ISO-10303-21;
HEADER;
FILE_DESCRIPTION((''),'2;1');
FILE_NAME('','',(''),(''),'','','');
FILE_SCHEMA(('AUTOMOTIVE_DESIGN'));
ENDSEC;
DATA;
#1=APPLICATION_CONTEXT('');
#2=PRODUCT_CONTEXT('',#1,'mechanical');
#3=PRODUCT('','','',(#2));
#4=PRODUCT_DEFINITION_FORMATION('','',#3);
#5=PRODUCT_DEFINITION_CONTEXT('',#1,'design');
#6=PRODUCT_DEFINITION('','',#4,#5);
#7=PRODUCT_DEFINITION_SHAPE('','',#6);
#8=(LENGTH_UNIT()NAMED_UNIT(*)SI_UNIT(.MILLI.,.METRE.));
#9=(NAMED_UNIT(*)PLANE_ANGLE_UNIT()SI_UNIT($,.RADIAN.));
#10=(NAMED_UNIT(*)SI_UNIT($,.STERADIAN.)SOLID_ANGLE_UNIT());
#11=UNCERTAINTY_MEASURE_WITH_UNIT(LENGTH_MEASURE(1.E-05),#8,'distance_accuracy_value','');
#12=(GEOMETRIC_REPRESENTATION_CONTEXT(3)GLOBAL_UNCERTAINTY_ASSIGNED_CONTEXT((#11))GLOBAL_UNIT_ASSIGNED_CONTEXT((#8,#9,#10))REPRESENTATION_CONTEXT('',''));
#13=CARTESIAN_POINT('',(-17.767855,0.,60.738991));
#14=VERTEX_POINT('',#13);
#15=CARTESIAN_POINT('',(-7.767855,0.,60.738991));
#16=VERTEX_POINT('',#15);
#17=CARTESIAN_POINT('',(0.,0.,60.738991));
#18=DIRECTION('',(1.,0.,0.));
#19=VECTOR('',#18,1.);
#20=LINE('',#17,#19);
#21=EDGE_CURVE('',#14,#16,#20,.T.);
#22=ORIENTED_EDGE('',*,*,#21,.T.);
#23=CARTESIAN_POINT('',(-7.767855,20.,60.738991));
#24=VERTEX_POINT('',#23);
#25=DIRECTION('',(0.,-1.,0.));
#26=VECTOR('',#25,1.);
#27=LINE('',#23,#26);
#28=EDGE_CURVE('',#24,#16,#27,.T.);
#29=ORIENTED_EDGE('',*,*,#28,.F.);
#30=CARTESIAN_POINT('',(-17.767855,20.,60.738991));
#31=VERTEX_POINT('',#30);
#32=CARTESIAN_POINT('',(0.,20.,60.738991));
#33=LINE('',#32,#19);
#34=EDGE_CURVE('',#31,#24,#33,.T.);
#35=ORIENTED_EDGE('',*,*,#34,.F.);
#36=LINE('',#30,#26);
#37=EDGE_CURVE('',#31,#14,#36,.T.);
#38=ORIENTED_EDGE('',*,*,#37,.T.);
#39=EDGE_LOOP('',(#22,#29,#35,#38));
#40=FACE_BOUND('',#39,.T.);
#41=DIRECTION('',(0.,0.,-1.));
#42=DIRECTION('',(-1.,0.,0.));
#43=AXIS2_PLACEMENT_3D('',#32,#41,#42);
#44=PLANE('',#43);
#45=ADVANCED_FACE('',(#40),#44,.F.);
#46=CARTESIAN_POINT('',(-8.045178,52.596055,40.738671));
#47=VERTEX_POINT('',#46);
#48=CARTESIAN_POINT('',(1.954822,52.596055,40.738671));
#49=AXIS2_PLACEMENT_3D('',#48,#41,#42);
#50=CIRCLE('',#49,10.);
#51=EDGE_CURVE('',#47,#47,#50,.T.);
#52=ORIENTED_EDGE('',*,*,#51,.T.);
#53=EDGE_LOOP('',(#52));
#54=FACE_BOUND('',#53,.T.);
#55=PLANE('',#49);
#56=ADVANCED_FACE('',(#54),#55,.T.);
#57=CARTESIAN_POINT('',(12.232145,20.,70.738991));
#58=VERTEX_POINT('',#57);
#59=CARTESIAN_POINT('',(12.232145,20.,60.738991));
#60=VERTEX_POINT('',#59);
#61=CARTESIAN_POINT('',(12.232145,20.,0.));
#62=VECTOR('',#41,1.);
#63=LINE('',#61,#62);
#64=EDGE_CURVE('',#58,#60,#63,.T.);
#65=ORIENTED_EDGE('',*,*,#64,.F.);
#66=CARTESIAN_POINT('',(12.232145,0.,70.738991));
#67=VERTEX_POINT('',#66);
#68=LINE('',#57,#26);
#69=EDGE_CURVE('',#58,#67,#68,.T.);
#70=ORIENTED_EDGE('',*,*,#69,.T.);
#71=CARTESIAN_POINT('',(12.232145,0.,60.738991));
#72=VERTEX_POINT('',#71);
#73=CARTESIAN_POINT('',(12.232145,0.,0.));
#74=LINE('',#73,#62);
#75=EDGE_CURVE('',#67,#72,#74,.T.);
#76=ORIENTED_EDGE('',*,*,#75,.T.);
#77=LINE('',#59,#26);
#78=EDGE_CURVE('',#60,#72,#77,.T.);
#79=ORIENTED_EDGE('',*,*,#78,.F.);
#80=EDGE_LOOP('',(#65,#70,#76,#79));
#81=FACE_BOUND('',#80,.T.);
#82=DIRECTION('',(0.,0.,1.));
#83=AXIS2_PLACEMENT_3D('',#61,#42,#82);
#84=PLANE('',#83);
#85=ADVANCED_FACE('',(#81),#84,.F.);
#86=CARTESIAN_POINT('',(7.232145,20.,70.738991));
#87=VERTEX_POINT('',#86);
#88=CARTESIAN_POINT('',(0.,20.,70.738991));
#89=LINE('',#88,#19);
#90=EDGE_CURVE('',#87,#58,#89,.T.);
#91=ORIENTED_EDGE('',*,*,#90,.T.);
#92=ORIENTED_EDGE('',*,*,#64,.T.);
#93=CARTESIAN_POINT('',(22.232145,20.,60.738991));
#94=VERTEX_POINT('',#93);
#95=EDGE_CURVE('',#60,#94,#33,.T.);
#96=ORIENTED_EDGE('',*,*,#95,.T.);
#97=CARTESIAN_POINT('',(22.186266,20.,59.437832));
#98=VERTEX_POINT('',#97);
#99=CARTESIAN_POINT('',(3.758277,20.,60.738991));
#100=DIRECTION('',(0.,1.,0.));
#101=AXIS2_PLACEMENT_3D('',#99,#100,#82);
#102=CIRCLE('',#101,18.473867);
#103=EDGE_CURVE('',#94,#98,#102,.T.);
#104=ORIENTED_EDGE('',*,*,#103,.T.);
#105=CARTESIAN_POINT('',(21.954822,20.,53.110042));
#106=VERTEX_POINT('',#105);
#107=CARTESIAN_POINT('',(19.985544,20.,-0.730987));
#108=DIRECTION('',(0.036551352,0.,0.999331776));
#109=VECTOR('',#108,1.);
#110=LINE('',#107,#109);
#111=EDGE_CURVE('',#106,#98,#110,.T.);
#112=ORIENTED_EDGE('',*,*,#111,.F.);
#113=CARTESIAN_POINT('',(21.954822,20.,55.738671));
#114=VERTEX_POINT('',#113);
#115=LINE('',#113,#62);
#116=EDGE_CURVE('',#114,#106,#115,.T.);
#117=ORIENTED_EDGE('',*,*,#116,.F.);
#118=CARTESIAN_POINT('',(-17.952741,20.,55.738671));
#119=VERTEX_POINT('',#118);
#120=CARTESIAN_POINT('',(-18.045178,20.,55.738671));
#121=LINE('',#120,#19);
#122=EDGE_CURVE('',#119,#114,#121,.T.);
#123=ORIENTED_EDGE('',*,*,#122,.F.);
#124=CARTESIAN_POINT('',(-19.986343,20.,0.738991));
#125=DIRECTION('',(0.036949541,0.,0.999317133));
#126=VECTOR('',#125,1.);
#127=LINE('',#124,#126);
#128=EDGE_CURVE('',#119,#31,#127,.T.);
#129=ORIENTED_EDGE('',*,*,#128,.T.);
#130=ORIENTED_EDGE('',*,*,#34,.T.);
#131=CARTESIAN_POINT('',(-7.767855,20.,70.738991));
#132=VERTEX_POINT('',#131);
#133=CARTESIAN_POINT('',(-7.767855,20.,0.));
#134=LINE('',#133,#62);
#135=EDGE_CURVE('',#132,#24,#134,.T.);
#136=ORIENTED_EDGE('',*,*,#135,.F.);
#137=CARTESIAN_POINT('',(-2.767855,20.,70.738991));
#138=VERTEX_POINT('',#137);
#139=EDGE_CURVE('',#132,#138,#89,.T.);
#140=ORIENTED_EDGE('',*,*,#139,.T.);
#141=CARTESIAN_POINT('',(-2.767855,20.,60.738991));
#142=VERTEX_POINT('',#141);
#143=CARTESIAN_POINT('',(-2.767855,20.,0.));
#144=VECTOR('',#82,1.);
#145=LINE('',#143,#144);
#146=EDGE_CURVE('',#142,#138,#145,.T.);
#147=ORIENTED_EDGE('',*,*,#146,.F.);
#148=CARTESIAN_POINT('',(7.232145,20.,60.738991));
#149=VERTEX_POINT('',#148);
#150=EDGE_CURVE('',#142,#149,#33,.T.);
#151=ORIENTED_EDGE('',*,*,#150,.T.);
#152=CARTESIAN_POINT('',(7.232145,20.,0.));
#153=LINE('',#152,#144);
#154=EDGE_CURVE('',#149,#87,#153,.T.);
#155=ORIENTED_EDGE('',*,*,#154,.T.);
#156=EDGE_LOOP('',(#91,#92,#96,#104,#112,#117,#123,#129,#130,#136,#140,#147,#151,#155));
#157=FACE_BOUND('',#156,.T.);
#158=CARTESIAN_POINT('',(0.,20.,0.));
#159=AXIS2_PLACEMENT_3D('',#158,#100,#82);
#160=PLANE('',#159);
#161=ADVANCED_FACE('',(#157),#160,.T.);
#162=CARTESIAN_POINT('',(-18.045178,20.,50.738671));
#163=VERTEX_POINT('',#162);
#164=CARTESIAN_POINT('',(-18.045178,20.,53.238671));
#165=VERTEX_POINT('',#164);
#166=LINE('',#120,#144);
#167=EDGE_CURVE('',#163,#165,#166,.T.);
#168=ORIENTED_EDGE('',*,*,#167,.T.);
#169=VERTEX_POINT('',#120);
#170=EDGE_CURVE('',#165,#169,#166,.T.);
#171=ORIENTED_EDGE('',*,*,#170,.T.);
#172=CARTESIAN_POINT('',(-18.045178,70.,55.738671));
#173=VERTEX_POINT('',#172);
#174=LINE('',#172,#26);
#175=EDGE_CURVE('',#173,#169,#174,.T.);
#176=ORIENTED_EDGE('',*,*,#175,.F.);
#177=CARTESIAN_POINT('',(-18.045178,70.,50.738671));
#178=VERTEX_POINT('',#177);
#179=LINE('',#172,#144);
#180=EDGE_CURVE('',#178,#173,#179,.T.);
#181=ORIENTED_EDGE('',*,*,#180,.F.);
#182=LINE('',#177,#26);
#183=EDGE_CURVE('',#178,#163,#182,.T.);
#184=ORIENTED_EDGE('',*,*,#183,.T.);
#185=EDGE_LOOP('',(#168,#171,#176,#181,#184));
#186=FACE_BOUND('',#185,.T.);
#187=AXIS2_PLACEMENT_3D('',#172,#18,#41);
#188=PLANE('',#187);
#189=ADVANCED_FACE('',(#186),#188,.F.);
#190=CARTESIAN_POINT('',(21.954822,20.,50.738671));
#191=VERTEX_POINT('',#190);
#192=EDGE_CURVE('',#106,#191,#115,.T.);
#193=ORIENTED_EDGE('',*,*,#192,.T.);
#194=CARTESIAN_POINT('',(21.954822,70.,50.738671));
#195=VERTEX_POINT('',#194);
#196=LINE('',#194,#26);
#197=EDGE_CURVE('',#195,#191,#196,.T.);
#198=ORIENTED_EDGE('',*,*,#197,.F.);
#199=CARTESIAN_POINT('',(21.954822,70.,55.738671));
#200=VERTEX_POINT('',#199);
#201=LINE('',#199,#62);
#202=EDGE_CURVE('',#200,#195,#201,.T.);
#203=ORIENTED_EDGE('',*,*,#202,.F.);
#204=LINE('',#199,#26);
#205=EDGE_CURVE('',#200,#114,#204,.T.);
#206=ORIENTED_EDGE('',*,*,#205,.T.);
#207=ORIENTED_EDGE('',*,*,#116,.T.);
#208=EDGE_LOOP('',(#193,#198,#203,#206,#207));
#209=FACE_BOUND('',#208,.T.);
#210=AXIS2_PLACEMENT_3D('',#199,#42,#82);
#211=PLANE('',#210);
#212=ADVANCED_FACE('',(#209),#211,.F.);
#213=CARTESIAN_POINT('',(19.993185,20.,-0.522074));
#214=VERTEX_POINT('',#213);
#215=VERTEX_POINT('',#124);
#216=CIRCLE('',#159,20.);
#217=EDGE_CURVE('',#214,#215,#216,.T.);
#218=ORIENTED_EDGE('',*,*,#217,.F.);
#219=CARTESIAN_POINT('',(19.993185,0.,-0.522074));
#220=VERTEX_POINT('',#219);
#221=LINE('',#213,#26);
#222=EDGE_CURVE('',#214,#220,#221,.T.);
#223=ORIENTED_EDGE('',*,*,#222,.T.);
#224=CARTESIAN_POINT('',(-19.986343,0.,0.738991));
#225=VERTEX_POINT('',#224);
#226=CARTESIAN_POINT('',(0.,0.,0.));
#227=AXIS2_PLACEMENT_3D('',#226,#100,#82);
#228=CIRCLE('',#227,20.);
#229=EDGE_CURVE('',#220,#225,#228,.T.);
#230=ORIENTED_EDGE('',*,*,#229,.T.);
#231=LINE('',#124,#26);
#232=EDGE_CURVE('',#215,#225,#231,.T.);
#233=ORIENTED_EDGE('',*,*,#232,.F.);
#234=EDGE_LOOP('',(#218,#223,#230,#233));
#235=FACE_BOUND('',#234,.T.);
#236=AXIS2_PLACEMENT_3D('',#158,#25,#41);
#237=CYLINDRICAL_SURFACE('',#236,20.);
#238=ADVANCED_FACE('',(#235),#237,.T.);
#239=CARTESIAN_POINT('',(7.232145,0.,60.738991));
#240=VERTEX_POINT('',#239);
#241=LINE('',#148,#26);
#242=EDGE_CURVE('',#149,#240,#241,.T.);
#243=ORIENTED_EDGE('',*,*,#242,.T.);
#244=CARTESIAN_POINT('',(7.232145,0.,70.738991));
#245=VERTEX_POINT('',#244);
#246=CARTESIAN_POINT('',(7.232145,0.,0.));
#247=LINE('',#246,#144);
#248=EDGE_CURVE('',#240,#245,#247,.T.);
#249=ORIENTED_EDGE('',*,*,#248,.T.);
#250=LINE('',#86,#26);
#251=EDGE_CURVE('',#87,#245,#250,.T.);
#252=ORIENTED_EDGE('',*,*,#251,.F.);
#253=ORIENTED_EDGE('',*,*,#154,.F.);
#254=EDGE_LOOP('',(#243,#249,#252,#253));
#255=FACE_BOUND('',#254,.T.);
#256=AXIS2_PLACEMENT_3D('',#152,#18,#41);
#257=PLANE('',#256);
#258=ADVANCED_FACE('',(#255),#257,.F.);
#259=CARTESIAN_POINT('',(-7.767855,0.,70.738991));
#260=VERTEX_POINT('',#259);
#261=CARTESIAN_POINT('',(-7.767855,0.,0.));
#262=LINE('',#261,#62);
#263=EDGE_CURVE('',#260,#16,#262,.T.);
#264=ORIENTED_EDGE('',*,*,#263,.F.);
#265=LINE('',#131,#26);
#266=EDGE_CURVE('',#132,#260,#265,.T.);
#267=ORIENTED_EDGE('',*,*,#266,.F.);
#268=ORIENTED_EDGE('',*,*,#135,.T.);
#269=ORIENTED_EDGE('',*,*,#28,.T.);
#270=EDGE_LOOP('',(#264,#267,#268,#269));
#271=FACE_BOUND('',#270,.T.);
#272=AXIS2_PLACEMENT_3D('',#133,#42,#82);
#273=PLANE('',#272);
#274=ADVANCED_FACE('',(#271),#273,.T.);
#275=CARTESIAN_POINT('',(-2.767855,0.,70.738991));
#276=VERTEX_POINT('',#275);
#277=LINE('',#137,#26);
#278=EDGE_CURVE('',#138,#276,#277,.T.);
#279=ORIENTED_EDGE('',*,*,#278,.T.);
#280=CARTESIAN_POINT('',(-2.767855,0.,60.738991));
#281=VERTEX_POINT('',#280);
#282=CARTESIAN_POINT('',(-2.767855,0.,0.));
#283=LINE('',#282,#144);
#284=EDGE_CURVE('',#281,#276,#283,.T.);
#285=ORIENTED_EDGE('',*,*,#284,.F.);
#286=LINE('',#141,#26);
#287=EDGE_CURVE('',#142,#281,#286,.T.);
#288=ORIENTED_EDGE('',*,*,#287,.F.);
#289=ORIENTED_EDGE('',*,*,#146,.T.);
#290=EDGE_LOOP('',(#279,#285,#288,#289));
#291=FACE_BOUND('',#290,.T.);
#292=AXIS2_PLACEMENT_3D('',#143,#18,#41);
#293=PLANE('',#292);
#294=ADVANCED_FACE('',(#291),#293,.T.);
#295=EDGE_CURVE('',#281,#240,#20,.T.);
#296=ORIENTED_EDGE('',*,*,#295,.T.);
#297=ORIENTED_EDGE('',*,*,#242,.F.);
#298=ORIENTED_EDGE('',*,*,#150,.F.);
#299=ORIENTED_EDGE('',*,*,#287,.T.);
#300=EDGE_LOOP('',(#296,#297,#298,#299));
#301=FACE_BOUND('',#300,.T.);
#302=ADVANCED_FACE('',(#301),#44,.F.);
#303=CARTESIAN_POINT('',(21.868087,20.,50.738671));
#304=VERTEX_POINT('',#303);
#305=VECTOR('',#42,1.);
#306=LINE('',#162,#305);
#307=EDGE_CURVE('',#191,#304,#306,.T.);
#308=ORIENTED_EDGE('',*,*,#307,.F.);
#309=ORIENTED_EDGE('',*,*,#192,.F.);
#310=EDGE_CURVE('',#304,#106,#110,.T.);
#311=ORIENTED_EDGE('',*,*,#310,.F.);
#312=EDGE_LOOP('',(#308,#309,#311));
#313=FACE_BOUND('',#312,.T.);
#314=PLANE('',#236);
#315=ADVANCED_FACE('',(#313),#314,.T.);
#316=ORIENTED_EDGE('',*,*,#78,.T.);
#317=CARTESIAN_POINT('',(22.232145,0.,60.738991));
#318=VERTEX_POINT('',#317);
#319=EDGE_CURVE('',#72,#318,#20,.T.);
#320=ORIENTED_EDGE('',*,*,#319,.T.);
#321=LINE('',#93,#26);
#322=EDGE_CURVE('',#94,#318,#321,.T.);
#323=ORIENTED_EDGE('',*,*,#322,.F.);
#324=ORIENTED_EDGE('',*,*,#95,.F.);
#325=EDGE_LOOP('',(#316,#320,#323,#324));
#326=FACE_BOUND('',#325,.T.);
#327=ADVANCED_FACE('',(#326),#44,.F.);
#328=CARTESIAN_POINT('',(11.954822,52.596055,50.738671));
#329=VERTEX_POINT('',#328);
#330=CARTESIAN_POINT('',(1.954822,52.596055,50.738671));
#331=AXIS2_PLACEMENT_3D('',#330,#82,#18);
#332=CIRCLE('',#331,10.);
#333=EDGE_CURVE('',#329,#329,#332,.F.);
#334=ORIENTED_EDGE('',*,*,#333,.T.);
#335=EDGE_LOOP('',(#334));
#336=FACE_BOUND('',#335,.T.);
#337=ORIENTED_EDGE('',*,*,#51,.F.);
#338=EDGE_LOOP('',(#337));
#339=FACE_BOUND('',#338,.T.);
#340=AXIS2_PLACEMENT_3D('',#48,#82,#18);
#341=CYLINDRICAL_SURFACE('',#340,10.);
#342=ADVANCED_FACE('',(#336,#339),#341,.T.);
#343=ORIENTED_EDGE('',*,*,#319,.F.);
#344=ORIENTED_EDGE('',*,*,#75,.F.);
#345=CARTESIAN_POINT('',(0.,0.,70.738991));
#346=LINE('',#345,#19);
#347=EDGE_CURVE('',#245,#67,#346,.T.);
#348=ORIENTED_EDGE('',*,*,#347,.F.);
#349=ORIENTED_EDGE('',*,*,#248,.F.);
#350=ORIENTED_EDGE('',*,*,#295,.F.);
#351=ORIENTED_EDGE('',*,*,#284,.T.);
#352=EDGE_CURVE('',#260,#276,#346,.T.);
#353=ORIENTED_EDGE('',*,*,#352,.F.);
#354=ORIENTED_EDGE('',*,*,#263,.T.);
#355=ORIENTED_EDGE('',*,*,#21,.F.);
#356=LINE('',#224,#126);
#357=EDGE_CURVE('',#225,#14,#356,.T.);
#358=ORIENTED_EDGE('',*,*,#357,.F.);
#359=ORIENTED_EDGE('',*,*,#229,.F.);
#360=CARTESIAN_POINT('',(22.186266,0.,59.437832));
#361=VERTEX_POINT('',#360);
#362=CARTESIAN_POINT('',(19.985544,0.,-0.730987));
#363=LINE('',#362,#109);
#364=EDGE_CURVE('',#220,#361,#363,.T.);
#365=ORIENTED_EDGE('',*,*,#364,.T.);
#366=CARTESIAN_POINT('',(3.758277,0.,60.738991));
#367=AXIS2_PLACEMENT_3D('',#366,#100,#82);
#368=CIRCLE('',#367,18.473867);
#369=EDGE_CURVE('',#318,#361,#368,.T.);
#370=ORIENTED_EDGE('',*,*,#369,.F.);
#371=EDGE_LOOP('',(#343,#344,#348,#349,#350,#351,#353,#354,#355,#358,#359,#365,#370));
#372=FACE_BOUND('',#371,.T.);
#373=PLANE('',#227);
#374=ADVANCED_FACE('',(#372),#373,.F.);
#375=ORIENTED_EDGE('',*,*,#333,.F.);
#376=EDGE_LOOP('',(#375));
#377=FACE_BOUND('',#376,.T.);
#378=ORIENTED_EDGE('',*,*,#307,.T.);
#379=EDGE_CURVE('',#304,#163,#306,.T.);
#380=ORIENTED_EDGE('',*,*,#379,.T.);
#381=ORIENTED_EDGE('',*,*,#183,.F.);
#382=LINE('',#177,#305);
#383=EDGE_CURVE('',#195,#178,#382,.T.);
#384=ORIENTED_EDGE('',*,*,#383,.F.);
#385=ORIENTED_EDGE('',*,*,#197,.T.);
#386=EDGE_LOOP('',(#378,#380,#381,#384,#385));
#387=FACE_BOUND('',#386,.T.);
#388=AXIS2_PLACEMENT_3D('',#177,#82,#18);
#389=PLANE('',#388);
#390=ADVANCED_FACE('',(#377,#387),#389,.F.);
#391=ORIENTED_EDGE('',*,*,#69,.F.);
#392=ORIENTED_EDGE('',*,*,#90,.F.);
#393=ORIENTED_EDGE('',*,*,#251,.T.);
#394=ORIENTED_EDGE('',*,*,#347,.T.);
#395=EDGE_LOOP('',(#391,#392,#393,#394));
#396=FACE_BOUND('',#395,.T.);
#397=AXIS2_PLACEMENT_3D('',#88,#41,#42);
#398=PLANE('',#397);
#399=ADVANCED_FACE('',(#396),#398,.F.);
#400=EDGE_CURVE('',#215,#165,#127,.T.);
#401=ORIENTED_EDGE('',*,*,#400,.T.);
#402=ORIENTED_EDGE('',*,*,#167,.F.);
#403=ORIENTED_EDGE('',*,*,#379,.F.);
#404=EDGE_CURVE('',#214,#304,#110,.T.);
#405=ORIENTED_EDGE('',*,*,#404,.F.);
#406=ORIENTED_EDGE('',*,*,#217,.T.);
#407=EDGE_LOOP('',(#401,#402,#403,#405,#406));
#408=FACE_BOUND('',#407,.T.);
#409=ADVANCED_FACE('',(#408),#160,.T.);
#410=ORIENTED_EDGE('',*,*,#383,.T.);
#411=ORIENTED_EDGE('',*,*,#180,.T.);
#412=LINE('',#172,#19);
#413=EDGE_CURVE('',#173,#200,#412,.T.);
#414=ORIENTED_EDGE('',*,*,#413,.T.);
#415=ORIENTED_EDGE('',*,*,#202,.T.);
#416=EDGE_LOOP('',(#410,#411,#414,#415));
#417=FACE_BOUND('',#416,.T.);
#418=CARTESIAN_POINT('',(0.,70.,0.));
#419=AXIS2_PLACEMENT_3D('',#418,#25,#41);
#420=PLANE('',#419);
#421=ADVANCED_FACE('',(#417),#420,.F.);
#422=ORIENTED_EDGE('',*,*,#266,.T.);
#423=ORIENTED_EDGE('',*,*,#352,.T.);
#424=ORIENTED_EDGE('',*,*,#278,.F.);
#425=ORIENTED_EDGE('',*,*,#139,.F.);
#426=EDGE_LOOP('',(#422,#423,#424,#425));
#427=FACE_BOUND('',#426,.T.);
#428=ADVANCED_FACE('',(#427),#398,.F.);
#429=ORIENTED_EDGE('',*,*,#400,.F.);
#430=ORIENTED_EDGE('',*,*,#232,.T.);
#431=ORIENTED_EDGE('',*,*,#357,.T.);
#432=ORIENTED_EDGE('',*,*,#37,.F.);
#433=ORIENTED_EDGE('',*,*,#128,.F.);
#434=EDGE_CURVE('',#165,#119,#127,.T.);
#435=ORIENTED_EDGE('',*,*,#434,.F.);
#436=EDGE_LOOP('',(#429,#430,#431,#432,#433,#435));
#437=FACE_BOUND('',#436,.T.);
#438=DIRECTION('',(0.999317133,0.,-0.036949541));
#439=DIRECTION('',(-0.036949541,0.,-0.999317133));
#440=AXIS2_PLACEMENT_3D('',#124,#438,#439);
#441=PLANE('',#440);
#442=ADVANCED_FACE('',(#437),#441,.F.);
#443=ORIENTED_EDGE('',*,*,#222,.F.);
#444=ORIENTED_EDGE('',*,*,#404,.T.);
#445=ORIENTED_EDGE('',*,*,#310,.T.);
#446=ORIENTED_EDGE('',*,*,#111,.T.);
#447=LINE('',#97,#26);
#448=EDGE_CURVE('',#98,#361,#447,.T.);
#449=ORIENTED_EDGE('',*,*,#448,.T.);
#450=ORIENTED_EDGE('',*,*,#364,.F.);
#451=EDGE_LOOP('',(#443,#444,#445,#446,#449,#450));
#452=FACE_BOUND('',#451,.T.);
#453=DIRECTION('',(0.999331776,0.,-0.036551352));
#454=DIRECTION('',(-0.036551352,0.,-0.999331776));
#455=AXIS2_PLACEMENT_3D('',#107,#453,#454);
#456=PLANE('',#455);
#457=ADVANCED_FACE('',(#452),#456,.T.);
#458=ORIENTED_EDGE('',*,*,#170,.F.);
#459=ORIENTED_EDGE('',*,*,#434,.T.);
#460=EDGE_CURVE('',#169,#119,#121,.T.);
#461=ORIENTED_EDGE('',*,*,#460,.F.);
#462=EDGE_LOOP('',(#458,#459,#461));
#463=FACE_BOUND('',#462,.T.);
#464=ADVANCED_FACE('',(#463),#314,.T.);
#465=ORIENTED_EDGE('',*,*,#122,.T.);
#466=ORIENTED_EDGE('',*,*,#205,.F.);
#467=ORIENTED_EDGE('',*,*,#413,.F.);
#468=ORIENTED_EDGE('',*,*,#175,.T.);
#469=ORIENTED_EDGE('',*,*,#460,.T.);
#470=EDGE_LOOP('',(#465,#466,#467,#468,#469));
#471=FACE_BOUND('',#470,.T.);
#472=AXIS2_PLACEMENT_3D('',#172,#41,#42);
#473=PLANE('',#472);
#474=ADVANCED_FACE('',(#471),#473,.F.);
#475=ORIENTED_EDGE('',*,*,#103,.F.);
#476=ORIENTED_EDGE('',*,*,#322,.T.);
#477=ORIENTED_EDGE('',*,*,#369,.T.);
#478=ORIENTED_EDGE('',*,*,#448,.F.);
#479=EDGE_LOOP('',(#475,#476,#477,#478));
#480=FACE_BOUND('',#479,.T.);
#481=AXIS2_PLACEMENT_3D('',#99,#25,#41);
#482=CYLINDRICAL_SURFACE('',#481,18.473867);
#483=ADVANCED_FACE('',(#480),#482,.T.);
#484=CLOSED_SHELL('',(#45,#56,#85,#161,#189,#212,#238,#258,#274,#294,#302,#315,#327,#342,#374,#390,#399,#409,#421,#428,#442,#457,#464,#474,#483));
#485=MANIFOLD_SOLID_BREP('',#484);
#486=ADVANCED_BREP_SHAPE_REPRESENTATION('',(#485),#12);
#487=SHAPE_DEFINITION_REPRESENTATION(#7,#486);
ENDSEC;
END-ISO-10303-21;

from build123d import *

# Parameters (mm, degrees)
BOSS_EXTRUDE1_DEPTH = 20
SKETCH2_W           = 40
SKETCH2_H           = 5
BOSS_EXTRUDE2_DEPTH = 50
SKETCH3_R           = 10
BOSS_EXTRUDE3_DEPTH = 10


with BuildPart() as part:
    # Sketch1 → Boss-Extrude1 (new body)
    with BuildSketch(Plane(origin=(0, 0, 0), x_dir=(1, 0, 0), z_dir=(0, 1, 0))):
        with BuildLine():
            Line((22.186265925, -59.437832279), (19.9931848, 0.522074285))
            ThreePointArc((19.9931848, 0.522074285), (-0.630541833, 19.990057954), (-19.986342651, -0.738990821))
            Line((-19.986342651, -0.738990821), (-17.767855256, -60.738990821))
            Line((-17.767855256, -60.738990821), (-7.767855256, -60.738990821))
            Line((-7.767855256, -60.738990821), (-7.767855256, -70.738990821))
            Line((-7.767855256, -70.738990821), (-2.767855256, -70.738990821))
            Line((-2.767855256, -70.738990821), (-2.767855256, -60.738990821))
            Line((-2.767855256, -60.738990821), (7.232144744, -60.738990821))
            Line((7.232144744, -60.738990821), (7.232144744, -70.738990821))
            Line((7.232144744, -70.738990821), (12.232144744, -70.738990821))
            Line((12.232144744, -70.738990821), (12.232144744, -60.738990821))
            Line((12.232144744, -60.738990821), (22.232144744, -60.738990821))
            ThreePointArc((22.232144744, -60.738990821), (22.220671476, -60.088007254), (22.186265925, -59.437832279))
        make_face()
    extrude(amount=BOSS_EXTRUDE1_DEPTH)

    # Sketch2 → Boss-Extrude2 (add)
    with BuildSketch(Plane(origin=(0, 20, 0), x_dir=(1, 0, 0), z_dir=(0, 1, 0))):
        with Locations((1.954821984, -53.238670729)):
            Rectangle(SKETCH2_W, SKETCH2_H)
    extrude(amount=BOSS_EXTRUDE2_DEPTH)

    # Sketch3 → Boss-Extrude3 (add)
    with BuildSketch(Plane(origin=(0, -50, 50.738670729), x_dir=(-1, 0, 0), z_dir=(0, 0, -1))):
        with Locations(Location((-1.954821984, 102.596055016, 0), (0, 0, 180))):
            Circle(SKETCH3_R)
    extrude(amount=BOSS_EXTRUDE3_DEPTH)


solid = part.part
